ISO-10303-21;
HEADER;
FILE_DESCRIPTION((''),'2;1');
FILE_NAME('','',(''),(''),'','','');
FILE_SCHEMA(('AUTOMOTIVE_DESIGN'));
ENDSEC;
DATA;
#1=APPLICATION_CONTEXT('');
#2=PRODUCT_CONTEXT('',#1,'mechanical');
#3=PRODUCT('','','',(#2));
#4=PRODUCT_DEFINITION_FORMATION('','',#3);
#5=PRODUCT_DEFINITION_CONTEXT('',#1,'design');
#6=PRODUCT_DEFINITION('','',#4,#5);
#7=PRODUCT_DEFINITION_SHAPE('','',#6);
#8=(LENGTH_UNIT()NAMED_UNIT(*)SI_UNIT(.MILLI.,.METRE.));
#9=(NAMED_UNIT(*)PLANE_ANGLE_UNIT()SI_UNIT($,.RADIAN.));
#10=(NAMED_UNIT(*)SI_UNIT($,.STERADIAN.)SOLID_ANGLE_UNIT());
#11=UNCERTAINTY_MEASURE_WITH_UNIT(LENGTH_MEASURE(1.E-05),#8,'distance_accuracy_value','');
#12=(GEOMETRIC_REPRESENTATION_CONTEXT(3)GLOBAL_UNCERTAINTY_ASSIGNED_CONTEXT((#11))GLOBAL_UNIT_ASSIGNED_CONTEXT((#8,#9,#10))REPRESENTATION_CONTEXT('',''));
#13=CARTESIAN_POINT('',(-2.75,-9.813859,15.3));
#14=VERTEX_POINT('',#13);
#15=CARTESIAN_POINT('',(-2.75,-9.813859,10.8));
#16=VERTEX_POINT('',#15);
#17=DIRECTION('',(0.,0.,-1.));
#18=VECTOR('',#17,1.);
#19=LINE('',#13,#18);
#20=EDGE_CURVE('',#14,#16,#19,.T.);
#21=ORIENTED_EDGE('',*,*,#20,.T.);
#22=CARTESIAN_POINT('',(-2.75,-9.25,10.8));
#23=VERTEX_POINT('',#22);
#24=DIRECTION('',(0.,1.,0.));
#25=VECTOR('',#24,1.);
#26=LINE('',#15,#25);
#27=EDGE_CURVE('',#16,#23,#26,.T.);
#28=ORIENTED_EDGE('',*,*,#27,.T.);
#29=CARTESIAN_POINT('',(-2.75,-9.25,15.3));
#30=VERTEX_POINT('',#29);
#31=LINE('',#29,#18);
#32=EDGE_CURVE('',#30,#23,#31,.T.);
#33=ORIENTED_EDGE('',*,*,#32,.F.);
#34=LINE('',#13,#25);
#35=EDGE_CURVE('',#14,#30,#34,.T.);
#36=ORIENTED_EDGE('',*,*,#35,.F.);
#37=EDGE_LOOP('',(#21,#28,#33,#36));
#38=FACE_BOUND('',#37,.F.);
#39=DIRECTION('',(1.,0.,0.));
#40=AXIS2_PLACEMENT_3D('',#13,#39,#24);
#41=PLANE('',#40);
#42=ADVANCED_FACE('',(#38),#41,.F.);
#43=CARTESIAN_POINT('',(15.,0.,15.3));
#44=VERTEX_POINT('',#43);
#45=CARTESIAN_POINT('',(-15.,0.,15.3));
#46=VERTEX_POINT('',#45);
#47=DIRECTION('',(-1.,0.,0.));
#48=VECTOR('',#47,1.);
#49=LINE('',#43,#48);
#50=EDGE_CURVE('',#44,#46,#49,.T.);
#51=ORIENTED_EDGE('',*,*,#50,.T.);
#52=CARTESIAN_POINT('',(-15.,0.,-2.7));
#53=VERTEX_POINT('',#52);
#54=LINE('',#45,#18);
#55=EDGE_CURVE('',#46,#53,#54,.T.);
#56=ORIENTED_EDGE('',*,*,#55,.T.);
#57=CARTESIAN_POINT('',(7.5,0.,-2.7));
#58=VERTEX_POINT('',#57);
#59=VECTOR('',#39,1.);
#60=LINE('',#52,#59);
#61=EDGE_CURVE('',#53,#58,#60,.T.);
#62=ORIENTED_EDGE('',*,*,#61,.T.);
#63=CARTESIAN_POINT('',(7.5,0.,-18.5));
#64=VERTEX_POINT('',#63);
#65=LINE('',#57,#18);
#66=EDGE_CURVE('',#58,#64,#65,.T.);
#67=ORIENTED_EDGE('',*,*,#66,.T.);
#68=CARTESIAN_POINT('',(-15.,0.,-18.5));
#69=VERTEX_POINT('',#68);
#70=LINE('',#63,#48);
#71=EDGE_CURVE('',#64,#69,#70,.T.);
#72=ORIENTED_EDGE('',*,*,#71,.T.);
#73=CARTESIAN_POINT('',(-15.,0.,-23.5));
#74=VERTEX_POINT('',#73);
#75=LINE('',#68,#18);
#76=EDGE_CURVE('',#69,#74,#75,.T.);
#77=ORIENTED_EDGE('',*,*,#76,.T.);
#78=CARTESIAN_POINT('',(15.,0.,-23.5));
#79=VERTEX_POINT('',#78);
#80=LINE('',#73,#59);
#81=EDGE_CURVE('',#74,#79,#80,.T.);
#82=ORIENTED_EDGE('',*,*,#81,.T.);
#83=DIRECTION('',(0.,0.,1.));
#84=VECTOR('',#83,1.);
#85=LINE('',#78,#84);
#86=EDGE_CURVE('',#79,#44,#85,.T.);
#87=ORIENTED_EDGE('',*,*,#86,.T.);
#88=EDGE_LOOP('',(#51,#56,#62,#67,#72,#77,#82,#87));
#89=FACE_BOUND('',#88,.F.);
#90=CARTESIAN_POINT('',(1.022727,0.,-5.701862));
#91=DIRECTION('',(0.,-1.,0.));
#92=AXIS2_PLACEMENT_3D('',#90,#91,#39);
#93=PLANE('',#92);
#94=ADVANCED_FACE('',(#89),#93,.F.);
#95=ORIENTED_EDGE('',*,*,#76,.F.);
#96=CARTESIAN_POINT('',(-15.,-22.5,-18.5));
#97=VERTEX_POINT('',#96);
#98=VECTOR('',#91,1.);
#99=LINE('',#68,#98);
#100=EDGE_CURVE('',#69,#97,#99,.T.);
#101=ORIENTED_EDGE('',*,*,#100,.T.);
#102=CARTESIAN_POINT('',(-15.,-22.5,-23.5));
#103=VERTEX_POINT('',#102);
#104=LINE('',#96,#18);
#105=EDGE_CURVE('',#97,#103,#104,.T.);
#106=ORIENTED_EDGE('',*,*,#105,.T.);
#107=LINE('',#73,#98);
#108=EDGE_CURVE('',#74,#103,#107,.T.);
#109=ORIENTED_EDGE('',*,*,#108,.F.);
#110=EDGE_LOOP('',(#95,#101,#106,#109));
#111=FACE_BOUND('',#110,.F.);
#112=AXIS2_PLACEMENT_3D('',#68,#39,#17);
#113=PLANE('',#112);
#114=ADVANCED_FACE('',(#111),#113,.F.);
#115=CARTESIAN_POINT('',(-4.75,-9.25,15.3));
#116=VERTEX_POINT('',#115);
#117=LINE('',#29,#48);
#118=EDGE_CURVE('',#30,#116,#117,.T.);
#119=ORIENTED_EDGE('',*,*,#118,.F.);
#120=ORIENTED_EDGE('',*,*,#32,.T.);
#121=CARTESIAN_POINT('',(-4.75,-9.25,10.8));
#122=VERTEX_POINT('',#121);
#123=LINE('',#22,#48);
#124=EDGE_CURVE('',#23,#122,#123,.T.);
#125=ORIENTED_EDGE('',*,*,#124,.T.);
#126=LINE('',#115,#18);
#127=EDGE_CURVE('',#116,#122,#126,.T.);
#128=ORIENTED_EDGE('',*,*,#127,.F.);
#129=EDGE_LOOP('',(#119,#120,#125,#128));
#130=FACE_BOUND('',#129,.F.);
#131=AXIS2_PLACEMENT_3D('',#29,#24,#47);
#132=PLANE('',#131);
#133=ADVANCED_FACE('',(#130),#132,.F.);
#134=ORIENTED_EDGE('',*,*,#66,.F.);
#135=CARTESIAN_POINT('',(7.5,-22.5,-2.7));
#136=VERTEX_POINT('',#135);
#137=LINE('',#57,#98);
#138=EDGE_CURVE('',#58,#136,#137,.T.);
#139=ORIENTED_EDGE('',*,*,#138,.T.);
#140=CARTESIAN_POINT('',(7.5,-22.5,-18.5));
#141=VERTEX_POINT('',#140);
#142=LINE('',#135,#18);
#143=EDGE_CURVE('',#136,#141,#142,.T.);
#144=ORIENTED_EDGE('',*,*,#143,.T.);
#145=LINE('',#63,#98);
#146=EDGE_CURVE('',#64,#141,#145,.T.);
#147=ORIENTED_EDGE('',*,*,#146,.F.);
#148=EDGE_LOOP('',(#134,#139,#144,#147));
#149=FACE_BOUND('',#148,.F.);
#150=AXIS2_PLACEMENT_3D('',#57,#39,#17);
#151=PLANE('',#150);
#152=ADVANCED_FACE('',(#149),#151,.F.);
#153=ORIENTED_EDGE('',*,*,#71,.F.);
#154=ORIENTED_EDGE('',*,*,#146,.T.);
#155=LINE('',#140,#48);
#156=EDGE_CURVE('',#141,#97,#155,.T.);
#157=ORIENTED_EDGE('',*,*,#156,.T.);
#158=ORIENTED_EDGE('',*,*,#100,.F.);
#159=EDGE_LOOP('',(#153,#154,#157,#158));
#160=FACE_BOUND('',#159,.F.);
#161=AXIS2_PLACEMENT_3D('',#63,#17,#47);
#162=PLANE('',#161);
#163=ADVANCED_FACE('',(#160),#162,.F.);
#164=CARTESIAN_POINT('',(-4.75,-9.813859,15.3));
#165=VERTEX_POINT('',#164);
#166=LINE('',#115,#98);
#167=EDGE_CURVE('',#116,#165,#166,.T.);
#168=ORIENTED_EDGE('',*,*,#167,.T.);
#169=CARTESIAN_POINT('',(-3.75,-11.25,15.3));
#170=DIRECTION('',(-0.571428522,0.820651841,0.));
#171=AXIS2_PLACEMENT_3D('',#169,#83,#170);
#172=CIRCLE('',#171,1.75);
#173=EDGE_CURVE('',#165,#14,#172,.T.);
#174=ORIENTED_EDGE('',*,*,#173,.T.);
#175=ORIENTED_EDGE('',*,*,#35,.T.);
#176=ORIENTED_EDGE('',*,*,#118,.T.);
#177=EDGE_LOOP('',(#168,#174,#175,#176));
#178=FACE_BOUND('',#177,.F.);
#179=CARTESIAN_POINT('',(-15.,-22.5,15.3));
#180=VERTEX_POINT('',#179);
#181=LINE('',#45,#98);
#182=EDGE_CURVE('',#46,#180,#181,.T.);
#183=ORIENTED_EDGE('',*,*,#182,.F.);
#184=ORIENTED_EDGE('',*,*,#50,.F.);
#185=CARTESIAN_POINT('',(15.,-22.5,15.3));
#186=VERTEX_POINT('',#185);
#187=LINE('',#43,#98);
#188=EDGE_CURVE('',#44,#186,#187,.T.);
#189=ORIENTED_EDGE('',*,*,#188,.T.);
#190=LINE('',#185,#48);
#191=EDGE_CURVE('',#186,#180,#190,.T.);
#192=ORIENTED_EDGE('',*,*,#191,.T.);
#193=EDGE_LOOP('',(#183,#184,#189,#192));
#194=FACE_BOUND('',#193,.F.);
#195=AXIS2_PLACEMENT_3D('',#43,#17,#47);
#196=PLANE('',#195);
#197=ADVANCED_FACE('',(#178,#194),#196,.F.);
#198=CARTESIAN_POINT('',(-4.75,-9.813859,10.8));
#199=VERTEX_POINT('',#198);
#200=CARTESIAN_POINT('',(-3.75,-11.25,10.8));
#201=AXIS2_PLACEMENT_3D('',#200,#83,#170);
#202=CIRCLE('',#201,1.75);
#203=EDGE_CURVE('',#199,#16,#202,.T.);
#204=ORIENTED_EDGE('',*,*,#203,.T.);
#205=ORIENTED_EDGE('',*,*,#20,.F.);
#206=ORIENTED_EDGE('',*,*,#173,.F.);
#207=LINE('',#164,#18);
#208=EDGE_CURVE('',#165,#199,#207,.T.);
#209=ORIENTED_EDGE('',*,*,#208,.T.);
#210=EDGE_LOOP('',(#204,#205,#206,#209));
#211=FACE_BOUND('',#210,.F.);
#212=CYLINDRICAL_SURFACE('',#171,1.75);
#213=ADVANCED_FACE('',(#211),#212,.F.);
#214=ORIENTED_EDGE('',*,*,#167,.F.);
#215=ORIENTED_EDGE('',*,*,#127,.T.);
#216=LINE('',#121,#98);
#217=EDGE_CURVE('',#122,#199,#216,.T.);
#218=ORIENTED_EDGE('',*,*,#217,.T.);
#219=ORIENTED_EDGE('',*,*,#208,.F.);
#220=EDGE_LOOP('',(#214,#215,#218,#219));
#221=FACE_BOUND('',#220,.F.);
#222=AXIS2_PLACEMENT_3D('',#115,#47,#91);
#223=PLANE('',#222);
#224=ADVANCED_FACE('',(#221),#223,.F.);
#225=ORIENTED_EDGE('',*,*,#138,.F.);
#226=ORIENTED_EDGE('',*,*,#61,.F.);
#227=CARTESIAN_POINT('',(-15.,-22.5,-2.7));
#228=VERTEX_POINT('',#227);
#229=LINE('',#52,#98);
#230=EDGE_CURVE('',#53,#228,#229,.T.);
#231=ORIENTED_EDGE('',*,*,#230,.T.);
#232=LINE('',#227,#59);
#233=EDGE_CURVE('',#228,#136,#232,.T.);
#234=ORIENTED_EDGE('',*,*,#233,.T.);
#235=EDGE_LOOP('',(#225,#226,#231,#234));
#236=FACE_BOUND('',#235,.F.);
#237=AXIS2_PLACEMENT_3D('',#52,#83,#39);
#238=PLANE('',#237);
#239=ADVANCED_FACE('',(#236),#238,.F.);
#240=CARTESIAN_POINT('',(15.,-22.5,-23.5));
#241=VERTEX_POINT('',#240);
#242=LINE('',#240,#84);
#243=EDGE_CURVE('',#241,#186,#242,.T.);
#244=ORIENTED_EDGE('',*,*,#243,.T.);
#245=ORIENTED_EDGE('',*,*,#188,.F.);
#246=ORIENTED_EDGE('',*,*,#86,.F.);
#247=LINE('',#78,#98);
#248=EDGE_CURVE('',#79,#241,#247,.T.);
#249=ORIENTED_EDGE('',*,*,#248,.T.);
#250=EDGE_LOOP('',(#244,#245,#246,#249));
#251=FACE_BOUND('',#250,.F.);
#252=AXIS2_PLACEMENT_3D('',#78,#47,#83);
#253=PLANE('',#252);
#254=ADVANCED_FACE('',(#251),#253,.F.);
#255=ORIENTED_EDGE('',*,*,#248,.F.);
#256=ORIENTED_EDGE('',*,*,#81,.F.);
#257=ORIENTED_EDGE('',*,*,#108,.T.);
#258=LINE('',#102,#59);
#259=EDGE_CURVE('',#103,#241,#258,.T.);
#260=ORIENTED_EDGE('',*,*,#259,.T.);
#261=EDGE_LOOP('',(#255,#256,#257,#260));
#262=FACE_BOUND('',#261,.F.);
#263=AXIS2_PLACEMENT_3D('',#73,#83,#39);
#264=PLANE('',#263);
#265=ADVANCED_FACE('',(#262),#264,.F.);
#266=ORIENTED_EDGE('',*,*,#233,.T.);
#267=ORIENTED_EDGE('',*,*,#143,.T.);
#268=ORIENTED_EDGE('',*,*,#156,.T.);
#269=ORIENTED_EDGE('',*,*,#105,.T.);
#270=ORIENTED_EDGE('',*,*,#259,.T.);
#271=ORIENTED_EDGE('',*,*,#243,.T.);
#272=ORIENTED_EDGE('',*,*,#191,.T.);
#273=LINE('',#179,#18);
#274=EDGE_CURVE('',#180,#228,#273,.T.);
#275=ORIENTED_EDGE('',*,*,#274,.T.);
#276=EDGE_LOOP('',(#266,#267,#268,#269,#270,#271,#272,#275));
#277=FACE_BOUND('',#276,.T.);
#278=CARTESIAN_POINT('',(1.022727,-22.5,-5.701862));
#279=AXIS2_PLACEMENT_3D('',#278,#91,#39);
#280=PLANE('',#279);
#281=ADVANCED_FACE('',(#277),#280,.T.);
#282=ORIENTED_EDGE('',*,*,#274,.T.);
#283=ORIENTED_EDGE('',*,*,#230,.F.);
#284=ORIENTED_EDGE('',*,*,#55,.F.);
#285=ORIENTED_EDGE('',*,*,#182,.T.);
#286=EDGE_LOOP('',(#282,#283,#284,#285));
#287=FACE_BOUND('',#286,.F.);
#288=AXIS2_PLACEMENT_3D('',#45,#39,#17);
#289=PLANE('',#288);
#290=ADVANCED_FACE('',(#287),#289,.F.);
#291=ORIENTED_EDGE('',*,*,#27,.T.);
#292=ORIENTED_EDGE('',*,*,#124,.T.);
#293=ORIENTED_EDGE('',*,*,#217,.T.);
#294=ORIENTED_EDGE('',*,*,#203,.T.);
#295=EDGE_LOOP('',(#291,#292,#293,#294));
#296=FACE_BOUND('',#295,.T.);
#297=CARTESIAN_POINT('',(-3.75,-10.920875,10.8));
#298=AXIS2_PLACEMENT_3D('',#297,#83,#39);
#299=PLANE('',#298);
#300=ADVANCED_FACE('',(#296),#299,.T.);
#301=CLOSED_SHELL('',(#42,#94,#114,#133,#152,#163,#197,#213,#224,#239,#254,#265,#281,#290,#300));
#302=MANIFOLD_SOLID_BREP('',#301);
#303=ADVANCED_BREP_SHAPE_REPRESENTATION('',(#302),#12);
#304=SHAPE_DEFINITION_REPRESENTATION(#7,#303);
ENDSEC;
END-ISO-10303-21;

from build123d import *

# Parameters (mm, degrees)
F1_DEPTH = 22.5
F3_DEPTH = 4.5


with BuildPart() as f1:
    # F0 (on Front) → F1 (new body)
    with BuildSketch(Plane.XZ):
        Polygon((15, 15.3), (-15, 15.3), (-15, -2.7), (7.5, -2.7), (7.5, -18.5), (-15, -18.5), (-15, -23.5), (15, -23.5), align=None)
    extrude(amount=F1_DEPTH)

    # F2 (on face) → F3 (cut)
    with BuildSketch(Plane.XY.offset(15.3)):
        with BuildLine():
            Line((-4.75, -9.25), (-4.75, -9.813859))
            ThreePointArc((-4.75, -9.813859), (-3.75, -13), (-2.75, -9.813859))
            Line((-2.75, -9.813859), (-2.75, -9.25))
            Line((-2.75, -9.25), (-4.75, -9.25))
        make_face()
    extrude(amount=-F3_DEPTH, mode=Mode.SUBTRACT)


solid = f1.part
